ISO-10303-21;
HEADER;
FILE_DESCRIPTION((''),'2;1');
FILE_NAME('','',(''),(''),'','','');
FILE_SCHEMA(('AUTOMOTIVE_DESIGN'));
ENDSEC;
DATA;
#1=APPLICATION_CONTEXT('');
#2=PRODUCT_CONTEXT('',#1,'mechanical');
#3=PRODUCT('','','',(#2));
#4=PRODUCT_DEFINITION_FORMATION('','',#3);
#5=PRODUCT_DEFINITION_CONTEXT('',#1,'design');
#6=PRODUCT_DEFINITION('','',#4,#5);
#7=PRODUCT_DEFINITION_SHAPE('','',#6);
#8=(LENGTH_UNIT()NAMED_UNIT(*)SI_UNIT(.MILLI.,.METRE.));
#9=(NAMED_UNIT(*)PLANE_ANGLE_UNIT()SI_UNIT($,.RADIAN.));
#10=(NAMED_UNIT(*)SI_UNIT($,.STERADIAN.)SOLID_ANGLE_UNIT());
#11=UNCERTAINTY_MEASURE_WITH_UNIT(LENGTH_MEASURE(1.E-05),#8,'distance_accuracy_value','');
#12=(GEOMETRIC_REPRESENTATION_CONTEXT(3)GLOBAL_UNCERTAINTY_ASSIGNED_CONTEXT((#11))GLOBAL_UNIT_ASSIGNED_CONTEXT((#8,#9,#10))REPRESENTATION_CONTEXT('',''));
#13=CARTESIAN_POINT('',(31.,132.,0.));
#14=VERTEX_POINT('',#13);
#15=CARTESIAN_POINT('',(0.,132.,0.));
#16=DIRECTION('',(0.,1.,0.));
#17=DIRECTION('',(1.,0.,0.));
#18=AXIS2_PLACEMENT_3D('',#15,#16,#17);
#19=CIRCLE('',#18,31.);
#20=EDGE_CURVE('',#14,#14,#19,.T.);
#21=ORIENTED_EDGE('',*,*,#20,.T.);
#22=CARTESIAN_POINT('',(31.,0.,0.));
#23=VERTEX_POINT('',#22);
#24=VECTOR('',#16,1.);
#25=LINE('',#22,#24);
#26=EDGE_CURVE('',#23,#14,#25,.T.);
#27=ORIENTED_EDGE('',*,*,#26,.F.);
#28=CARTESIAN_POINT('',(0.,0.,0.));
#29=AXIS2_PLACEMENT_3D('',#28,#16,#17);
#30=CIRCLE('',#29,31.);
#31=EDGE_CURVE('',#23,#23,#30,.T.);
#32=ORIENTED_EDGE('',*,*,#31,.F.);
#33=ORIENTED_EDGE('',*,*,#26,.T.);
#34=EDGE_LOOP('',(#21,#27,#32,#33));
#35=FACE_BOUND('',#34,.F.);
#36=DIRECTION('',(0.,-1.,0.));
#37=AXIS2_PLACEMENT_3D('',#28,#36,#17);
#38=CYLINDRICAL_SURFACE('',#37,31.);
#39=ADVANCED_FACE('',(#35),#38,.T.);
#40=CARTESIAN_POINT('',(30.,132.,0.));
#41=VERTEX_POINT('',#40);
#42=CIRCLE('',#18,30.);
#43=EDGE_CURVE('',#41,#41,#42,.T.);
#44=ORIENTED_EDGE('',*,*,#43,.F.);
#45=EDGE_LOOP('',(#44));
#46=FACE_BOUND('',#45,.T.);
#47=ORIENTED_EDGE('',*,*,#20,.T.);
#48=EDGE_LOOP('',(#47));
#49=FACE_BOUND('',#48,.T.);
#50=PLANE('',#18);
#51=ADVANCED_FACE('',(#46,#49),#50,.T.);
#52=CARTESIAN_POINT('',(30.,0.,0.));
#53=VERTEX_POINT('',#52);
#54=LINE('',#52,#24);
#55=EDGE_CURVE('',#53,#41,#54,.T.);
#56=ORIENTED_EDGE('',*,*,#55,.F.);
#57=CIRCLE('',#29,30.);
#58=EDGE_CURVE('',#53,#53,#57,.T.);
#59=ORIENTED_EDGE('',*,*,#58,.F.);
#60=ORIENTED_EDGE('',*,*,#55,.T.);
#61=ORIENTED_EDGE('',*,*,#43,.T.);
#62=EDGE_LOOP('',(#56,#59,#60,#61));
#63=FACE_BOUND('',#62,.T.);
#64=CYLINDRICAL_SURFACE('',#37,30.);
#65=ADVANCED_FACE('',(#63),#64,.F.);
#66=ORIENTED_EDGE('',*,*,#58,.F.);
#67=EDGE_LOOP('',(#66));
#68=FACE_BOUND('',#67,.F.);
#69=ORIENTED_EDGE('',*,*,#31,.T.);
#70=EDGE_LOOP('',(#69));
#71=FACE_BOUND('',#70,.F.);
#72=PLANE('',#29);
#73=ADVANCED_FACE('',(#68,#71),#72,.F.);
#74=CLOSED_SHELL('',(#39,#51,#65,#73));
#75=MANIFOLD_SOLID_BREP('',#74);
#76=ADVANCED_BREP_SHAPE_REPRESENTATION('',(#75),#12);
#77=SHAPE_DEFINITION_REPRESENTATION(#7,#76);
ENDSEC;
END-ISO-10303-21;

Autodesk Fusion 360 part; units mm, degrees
sketch "Sketch1" plane through (0, 0, 0) normal (0, 1, 0) x (1, 0, 0)
  circle A0 centre (0, 0) radius 31
  circle A1 centre (0, 0) radius 30
  dimension "d1" = 62
  dimension "d2" = 60
extrude "Extrude1" add sketch "Sketch1" along normal blind 132
